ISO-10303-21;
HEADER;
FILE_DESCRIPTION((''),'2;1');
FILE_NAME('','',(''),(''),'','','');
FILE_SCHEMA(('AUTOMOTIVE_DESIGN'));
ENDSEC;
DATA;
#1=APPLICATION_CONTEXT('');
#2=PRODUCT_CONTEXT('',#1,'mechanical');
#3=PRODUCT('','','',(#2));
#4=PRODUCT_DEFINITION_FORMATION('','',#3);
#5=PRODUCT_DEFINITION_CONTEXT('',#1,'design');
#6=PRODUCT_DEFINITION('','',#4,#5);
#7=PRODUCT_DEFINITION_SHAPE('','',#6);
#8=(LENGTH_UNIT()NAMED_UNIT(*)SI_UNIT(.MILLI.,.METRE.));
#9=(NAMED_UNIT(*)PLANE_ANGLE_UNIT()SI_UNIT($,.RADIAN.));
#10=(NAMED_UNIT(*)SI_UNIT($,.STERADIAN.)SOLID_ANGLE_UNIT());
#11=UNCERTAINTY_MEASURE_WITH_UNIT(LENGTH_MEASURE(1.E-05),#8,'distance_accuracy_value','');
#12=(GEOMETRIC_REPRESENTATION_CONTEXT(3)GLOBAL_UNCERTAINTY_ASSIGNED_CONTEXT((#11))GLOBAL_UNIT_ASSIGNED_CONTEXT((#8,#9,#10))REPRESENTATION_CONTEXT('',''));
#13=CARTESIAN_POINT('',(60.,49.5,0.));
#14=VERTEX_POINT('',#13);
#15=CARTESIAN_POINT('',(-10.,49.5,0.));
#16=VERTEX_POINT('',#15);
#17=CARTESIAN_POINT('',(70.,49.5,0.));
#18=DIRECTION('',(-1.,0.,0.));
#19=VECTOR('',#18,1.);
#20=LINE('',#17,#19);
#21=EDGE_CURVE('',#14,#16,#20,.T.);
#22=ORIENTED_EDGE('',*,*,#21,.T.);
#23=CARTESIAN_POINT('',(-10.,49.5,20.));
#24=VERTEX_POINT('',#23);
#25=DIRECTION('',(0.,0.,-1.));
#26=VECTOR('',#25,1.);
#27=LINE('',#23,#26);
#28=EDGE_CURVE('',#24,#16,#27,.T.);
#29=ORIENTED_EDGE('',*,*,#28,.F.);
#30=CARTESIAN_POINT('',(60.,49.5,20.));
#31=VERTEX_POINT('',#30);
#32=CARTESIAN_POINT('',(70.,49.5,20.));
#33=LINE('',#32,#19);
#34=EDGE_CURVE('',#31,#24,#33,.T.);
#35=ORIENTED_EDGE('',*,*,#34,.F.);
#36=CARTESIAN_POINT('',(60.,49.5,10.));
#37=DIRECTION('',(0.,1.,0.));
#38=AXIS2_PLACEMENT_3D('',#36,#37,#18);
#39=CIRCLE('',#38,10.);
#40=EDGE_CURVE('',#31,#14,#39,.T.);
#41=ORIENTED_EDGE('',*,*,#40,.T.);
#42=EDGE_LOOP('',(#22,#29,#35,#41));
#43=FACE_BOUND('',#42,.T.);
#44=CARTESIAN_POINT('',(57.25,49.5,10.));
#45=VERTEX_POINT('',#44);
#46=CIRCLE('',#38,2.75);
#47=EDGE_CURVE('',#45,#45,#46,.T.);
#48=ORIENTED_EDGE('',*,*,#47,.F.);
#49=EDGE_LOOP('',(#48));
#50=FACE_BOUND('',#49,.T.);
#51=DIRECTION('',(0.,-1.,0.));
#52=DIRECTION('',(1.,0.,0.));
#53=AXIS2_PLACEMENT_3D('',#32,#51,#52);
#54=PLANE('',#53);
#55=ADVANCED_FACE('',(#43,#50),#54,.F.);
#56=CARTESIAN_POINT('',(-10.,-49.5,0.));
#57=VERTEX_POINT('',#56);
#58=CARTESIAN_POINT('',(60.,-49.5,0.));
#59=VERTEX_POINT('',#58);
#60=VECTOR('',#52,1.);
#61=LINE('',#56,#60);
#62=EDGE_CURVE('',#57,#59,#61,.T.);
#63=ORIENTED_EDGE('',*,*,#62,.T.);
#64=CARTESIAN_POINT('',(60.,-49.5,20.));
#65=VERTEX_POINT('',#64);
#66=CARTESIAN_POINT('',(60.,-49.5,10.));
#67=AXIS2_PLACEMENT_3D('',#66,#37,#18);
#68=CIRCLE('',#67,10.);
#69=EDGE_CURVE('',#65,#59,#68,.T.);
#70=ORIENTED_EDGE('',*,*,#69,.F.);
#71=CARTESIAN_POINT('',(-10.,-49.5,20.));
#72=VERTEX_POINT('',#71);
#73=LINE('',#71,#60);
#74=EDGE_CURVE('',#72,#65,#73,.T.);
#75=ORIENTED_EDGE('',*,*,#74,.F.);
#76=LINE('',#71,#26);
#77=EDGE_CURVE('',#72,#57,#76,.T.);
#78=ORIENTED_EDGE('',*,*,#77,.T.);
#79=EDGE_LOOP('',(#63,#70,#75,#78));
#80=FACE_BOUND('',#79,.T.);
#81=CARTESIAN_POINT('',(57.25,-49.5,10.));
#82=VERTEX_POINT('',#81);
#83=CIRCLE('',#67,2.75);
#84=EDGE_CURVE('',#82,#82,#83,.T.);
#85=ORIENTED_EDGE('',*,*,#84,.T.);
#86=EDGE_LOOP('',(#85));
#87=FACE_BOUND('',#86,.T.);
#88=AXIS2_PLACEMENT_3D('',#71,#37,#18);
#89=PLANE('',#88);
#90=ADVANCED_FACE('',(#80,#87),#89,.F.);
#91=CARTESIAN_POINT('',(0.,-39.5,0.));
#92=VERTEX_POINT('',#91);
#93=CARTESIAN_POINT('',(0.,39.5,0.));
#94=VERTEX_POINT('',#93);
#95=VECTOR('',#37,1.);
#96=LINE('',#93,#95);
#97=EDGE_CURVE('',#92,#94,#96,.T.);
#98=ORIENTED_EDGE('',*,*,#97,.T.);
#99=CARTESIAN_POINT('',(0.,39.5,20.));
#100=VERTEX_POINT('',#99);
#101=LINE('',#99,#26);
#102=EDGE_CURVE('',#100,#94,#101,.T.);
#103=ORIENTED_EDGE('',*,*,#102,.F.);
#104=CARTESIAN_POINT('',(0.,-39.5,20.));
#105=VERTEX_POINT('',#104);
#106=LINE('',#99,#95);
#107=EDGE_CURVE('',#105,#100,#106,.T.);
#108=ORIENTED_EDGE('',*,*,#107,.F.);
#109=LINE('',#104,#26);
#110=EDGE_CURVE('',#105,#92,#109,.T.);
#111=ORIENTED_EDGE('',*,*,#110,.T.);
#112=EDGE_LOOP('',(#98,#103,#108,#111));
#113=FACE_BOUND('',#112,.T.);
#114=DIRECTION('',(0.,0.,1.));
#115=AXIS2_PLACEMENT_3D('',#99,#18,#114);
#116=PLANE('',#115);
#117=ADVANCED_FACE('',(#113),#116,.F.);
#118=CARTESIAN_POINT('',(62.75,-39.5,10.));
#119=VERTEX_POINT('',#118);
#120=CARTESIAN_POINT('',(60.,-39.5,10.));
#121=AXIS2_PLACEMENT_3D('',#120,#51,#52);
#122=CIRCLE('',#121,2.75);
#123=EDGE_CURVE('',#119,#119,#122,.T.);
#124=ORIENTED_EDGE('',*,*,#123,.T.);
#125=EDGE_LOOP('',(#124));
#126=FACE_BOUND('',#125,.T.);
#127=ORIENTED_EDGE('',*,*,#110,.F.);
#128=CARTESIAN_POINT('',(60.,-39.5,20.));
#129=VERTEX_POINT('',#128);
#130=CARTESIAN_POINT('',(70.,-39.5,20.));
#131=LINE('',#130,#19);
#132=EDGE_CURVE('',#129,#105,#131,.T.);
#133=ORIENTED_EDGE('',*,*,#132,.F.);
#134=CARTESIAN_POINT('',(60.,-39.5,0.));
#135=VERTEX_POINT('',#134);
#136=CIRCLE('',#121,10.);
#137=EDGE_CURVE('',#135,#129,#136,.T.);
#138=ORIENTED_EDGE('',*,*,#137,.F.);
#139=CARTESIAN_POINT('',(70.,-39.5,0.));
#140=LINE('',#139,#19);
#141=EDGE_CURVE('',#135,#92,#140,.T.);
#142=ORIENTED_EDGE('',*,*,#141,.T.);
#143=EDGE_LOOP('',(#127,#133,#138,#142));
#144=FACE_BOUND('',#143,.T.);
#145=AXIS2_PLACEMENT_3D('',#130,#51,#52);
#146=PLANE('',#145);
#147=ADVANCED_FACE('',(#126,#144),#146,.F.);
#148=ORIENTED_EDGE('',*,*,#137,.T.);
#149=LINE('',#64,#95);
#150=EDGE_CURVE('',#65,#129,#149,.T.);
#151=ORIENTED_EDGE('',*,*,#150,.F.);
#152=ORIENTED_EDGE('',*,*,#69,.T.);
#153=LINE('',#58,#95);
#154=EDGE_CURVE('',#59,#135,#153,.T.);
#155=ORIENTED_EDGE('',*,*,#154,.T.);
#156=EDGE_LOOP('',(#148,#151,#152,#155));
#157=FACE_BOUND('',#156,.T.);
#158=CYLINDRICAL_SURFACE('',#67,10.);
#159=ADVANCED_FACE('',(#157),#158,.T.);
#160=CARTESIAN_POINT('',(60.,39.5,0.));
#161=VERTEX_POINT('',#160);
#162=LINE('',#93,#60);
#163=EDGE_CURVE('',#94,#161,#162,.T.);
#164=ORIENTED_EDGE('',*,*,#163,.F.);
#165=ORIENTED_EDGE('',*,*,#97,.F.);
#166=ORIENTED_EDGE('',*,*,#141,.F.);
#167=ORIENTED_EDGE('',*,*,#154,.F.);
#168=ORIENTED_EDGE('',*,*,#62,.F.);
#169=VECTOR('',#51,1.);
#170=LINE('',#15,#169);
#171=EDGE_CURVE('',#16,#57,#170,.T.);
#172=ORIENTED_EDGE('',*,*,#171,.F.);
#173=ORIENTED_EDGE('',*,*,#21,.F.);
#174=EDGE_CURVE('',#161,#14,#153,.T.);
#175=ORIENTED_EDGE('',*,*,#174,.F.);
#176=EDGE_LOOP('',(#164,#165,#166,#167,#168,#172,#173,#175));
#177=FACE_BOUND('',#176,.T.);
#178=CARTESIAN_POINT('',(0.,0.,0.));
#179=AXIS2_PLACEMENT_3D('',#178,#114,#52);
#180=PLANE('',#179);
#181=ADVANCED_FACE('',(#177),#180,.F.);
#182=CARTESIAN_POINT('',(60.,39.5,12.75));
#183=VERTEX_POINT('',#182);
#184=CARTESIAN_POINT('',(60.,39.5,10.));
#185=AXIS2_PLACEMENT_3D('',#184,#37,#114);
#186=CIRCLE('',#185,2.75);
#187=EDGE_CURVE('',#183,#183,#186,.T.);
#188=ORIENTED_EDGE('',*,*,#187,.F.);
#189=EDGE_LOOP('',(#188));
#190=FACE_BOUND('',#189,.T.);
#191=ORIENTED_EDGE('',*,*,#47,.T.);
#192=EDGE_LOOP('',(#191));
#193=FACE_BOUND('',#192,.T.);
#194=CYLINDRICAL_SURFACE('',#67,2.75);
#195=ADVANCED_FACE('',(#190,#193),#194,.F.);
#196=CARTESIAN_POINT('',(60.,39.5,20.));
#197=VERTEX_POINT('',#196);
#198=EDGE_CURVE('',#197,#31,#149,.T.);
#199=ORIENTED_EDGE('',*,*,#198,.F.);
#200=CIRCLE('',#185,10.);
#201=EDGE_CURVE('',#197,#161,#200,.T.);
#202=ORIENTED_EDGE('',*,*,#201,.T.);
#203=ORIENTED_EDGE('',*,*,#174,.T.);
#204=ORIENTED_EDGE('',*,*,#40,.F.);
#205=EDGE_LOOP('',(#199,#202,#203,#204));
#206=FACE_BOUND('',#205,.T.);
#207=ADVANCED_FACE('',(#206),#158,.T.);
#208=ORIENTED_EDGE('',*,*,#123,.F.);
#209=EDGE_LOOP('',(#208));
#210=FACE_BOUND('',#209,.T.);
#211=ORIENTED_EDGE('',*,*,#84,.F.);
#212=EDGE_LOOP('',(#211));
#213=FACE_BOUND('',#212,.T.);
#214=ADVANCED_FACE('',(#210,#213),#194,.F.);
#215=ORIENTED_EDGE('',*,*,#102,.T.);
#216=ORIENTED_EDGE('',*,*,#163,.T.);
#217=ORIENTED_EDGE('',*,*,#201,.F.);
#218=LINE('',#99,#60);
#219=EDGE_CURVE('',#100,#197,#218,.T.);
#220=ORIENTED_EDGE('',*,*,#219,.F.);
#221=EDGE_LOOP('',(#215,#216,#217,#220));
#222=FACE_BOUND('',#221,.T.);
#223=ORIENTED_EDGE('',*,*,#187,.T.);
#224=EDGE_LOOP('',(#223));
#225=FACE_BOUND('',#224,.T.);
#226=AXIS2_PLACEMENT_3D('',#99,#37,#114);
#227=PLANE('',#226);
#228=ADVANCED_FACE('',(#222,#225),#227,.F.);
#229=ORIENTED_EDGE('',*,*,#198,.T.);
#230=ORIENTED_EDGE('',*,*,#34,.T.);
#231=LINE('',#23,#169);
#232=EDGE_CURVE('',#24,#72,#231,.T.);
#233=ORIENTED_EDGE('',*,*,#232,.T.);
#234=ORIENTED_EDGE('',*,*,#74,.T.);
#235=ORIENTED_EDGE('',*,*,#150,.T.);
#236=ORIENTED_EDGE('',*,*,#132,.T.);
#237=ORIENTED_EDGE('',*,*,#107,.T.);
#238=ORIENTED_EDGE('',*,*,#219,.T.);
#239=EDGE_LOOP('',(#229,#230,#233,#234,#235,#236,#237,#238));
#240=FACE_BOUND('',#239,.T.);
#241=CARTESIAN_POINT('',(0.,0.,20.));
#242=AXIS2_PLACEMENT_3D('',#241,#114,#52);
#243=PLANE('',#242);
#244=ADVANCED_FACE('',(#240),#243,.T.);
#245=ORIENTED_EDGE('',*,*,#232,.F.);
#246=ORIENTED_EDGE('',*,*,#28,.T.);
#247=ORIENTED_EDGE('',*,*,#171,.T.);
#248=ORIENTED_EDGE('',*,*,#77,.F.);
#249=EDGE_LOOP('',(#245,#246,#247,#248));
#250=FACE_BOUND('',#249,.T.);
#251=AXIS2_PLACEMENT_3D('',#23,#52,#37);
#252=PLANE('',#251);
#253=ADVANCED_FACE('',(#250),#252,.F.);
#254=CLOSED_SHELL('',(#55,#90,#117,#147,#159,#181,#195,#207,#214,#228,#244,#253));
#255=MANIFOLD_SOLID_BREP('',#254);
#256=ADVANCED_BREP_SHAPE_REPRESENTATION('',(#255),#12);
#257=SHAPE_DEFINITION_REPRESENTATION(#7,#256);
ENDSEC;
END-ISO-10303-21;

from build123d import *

# Parameters (mm, degrees)
EXTRUDE_1_DEPTH     = 20
CUT_EXTRUDE_1_DEPTH = 123.886126149


with BuildPart() as part:
    # 草图1 → 凸台-拉伸1 (new body)
    with BuildSketch(Plane.XY):
        Polygon((0, 39.5), (0, -39.5), (70, -39.5), (70, -49.5), (-10, -49.5), (-10, 49.5), (70, 49.5), (70, 39.5), align=None)
    extrude(amount=EXTRUDE_1_DEPTH)

    # 草图2 → 切除-拉伸1 (cut, through all)
    with BuildSketch(Plane(origin=(0, 49.5, 0), x_dir=(1, 0, 0), z_dir=(0, 1, 0))):
        with BuildLine():
            ThreePointArc((57.25, -10), (60, -12.75), (62.75, -10))
            Line((62.75, -10), (57.25, -10))
        make_face()
        with BuildLine():
            Line((57.25, -10), (62.75, -10))
            ThreePointArc((62.75, -10), (60, -7.25), (57.25, -10))
        make_face()
        with BuildLine():
            ThreePointArc((60, 0), (67.071067812, -2.928932188), (70, -10))
            Line((70, -10), (70, 0))
            Line((70, 0), (60, 0))
        make_face()
        with BuildLine():
            Line((70, -20), (70, -10))
            ThreePointArc((70, -10), (67.071067812, -17.071067812), (60, -20))
            Line((60, -20), (70, -20))
        make_face()
    extrude(amount=-CUT_EXTRUDE_1_DEPTH, mode=Mode.SUBTRACT)


solid = part.part
